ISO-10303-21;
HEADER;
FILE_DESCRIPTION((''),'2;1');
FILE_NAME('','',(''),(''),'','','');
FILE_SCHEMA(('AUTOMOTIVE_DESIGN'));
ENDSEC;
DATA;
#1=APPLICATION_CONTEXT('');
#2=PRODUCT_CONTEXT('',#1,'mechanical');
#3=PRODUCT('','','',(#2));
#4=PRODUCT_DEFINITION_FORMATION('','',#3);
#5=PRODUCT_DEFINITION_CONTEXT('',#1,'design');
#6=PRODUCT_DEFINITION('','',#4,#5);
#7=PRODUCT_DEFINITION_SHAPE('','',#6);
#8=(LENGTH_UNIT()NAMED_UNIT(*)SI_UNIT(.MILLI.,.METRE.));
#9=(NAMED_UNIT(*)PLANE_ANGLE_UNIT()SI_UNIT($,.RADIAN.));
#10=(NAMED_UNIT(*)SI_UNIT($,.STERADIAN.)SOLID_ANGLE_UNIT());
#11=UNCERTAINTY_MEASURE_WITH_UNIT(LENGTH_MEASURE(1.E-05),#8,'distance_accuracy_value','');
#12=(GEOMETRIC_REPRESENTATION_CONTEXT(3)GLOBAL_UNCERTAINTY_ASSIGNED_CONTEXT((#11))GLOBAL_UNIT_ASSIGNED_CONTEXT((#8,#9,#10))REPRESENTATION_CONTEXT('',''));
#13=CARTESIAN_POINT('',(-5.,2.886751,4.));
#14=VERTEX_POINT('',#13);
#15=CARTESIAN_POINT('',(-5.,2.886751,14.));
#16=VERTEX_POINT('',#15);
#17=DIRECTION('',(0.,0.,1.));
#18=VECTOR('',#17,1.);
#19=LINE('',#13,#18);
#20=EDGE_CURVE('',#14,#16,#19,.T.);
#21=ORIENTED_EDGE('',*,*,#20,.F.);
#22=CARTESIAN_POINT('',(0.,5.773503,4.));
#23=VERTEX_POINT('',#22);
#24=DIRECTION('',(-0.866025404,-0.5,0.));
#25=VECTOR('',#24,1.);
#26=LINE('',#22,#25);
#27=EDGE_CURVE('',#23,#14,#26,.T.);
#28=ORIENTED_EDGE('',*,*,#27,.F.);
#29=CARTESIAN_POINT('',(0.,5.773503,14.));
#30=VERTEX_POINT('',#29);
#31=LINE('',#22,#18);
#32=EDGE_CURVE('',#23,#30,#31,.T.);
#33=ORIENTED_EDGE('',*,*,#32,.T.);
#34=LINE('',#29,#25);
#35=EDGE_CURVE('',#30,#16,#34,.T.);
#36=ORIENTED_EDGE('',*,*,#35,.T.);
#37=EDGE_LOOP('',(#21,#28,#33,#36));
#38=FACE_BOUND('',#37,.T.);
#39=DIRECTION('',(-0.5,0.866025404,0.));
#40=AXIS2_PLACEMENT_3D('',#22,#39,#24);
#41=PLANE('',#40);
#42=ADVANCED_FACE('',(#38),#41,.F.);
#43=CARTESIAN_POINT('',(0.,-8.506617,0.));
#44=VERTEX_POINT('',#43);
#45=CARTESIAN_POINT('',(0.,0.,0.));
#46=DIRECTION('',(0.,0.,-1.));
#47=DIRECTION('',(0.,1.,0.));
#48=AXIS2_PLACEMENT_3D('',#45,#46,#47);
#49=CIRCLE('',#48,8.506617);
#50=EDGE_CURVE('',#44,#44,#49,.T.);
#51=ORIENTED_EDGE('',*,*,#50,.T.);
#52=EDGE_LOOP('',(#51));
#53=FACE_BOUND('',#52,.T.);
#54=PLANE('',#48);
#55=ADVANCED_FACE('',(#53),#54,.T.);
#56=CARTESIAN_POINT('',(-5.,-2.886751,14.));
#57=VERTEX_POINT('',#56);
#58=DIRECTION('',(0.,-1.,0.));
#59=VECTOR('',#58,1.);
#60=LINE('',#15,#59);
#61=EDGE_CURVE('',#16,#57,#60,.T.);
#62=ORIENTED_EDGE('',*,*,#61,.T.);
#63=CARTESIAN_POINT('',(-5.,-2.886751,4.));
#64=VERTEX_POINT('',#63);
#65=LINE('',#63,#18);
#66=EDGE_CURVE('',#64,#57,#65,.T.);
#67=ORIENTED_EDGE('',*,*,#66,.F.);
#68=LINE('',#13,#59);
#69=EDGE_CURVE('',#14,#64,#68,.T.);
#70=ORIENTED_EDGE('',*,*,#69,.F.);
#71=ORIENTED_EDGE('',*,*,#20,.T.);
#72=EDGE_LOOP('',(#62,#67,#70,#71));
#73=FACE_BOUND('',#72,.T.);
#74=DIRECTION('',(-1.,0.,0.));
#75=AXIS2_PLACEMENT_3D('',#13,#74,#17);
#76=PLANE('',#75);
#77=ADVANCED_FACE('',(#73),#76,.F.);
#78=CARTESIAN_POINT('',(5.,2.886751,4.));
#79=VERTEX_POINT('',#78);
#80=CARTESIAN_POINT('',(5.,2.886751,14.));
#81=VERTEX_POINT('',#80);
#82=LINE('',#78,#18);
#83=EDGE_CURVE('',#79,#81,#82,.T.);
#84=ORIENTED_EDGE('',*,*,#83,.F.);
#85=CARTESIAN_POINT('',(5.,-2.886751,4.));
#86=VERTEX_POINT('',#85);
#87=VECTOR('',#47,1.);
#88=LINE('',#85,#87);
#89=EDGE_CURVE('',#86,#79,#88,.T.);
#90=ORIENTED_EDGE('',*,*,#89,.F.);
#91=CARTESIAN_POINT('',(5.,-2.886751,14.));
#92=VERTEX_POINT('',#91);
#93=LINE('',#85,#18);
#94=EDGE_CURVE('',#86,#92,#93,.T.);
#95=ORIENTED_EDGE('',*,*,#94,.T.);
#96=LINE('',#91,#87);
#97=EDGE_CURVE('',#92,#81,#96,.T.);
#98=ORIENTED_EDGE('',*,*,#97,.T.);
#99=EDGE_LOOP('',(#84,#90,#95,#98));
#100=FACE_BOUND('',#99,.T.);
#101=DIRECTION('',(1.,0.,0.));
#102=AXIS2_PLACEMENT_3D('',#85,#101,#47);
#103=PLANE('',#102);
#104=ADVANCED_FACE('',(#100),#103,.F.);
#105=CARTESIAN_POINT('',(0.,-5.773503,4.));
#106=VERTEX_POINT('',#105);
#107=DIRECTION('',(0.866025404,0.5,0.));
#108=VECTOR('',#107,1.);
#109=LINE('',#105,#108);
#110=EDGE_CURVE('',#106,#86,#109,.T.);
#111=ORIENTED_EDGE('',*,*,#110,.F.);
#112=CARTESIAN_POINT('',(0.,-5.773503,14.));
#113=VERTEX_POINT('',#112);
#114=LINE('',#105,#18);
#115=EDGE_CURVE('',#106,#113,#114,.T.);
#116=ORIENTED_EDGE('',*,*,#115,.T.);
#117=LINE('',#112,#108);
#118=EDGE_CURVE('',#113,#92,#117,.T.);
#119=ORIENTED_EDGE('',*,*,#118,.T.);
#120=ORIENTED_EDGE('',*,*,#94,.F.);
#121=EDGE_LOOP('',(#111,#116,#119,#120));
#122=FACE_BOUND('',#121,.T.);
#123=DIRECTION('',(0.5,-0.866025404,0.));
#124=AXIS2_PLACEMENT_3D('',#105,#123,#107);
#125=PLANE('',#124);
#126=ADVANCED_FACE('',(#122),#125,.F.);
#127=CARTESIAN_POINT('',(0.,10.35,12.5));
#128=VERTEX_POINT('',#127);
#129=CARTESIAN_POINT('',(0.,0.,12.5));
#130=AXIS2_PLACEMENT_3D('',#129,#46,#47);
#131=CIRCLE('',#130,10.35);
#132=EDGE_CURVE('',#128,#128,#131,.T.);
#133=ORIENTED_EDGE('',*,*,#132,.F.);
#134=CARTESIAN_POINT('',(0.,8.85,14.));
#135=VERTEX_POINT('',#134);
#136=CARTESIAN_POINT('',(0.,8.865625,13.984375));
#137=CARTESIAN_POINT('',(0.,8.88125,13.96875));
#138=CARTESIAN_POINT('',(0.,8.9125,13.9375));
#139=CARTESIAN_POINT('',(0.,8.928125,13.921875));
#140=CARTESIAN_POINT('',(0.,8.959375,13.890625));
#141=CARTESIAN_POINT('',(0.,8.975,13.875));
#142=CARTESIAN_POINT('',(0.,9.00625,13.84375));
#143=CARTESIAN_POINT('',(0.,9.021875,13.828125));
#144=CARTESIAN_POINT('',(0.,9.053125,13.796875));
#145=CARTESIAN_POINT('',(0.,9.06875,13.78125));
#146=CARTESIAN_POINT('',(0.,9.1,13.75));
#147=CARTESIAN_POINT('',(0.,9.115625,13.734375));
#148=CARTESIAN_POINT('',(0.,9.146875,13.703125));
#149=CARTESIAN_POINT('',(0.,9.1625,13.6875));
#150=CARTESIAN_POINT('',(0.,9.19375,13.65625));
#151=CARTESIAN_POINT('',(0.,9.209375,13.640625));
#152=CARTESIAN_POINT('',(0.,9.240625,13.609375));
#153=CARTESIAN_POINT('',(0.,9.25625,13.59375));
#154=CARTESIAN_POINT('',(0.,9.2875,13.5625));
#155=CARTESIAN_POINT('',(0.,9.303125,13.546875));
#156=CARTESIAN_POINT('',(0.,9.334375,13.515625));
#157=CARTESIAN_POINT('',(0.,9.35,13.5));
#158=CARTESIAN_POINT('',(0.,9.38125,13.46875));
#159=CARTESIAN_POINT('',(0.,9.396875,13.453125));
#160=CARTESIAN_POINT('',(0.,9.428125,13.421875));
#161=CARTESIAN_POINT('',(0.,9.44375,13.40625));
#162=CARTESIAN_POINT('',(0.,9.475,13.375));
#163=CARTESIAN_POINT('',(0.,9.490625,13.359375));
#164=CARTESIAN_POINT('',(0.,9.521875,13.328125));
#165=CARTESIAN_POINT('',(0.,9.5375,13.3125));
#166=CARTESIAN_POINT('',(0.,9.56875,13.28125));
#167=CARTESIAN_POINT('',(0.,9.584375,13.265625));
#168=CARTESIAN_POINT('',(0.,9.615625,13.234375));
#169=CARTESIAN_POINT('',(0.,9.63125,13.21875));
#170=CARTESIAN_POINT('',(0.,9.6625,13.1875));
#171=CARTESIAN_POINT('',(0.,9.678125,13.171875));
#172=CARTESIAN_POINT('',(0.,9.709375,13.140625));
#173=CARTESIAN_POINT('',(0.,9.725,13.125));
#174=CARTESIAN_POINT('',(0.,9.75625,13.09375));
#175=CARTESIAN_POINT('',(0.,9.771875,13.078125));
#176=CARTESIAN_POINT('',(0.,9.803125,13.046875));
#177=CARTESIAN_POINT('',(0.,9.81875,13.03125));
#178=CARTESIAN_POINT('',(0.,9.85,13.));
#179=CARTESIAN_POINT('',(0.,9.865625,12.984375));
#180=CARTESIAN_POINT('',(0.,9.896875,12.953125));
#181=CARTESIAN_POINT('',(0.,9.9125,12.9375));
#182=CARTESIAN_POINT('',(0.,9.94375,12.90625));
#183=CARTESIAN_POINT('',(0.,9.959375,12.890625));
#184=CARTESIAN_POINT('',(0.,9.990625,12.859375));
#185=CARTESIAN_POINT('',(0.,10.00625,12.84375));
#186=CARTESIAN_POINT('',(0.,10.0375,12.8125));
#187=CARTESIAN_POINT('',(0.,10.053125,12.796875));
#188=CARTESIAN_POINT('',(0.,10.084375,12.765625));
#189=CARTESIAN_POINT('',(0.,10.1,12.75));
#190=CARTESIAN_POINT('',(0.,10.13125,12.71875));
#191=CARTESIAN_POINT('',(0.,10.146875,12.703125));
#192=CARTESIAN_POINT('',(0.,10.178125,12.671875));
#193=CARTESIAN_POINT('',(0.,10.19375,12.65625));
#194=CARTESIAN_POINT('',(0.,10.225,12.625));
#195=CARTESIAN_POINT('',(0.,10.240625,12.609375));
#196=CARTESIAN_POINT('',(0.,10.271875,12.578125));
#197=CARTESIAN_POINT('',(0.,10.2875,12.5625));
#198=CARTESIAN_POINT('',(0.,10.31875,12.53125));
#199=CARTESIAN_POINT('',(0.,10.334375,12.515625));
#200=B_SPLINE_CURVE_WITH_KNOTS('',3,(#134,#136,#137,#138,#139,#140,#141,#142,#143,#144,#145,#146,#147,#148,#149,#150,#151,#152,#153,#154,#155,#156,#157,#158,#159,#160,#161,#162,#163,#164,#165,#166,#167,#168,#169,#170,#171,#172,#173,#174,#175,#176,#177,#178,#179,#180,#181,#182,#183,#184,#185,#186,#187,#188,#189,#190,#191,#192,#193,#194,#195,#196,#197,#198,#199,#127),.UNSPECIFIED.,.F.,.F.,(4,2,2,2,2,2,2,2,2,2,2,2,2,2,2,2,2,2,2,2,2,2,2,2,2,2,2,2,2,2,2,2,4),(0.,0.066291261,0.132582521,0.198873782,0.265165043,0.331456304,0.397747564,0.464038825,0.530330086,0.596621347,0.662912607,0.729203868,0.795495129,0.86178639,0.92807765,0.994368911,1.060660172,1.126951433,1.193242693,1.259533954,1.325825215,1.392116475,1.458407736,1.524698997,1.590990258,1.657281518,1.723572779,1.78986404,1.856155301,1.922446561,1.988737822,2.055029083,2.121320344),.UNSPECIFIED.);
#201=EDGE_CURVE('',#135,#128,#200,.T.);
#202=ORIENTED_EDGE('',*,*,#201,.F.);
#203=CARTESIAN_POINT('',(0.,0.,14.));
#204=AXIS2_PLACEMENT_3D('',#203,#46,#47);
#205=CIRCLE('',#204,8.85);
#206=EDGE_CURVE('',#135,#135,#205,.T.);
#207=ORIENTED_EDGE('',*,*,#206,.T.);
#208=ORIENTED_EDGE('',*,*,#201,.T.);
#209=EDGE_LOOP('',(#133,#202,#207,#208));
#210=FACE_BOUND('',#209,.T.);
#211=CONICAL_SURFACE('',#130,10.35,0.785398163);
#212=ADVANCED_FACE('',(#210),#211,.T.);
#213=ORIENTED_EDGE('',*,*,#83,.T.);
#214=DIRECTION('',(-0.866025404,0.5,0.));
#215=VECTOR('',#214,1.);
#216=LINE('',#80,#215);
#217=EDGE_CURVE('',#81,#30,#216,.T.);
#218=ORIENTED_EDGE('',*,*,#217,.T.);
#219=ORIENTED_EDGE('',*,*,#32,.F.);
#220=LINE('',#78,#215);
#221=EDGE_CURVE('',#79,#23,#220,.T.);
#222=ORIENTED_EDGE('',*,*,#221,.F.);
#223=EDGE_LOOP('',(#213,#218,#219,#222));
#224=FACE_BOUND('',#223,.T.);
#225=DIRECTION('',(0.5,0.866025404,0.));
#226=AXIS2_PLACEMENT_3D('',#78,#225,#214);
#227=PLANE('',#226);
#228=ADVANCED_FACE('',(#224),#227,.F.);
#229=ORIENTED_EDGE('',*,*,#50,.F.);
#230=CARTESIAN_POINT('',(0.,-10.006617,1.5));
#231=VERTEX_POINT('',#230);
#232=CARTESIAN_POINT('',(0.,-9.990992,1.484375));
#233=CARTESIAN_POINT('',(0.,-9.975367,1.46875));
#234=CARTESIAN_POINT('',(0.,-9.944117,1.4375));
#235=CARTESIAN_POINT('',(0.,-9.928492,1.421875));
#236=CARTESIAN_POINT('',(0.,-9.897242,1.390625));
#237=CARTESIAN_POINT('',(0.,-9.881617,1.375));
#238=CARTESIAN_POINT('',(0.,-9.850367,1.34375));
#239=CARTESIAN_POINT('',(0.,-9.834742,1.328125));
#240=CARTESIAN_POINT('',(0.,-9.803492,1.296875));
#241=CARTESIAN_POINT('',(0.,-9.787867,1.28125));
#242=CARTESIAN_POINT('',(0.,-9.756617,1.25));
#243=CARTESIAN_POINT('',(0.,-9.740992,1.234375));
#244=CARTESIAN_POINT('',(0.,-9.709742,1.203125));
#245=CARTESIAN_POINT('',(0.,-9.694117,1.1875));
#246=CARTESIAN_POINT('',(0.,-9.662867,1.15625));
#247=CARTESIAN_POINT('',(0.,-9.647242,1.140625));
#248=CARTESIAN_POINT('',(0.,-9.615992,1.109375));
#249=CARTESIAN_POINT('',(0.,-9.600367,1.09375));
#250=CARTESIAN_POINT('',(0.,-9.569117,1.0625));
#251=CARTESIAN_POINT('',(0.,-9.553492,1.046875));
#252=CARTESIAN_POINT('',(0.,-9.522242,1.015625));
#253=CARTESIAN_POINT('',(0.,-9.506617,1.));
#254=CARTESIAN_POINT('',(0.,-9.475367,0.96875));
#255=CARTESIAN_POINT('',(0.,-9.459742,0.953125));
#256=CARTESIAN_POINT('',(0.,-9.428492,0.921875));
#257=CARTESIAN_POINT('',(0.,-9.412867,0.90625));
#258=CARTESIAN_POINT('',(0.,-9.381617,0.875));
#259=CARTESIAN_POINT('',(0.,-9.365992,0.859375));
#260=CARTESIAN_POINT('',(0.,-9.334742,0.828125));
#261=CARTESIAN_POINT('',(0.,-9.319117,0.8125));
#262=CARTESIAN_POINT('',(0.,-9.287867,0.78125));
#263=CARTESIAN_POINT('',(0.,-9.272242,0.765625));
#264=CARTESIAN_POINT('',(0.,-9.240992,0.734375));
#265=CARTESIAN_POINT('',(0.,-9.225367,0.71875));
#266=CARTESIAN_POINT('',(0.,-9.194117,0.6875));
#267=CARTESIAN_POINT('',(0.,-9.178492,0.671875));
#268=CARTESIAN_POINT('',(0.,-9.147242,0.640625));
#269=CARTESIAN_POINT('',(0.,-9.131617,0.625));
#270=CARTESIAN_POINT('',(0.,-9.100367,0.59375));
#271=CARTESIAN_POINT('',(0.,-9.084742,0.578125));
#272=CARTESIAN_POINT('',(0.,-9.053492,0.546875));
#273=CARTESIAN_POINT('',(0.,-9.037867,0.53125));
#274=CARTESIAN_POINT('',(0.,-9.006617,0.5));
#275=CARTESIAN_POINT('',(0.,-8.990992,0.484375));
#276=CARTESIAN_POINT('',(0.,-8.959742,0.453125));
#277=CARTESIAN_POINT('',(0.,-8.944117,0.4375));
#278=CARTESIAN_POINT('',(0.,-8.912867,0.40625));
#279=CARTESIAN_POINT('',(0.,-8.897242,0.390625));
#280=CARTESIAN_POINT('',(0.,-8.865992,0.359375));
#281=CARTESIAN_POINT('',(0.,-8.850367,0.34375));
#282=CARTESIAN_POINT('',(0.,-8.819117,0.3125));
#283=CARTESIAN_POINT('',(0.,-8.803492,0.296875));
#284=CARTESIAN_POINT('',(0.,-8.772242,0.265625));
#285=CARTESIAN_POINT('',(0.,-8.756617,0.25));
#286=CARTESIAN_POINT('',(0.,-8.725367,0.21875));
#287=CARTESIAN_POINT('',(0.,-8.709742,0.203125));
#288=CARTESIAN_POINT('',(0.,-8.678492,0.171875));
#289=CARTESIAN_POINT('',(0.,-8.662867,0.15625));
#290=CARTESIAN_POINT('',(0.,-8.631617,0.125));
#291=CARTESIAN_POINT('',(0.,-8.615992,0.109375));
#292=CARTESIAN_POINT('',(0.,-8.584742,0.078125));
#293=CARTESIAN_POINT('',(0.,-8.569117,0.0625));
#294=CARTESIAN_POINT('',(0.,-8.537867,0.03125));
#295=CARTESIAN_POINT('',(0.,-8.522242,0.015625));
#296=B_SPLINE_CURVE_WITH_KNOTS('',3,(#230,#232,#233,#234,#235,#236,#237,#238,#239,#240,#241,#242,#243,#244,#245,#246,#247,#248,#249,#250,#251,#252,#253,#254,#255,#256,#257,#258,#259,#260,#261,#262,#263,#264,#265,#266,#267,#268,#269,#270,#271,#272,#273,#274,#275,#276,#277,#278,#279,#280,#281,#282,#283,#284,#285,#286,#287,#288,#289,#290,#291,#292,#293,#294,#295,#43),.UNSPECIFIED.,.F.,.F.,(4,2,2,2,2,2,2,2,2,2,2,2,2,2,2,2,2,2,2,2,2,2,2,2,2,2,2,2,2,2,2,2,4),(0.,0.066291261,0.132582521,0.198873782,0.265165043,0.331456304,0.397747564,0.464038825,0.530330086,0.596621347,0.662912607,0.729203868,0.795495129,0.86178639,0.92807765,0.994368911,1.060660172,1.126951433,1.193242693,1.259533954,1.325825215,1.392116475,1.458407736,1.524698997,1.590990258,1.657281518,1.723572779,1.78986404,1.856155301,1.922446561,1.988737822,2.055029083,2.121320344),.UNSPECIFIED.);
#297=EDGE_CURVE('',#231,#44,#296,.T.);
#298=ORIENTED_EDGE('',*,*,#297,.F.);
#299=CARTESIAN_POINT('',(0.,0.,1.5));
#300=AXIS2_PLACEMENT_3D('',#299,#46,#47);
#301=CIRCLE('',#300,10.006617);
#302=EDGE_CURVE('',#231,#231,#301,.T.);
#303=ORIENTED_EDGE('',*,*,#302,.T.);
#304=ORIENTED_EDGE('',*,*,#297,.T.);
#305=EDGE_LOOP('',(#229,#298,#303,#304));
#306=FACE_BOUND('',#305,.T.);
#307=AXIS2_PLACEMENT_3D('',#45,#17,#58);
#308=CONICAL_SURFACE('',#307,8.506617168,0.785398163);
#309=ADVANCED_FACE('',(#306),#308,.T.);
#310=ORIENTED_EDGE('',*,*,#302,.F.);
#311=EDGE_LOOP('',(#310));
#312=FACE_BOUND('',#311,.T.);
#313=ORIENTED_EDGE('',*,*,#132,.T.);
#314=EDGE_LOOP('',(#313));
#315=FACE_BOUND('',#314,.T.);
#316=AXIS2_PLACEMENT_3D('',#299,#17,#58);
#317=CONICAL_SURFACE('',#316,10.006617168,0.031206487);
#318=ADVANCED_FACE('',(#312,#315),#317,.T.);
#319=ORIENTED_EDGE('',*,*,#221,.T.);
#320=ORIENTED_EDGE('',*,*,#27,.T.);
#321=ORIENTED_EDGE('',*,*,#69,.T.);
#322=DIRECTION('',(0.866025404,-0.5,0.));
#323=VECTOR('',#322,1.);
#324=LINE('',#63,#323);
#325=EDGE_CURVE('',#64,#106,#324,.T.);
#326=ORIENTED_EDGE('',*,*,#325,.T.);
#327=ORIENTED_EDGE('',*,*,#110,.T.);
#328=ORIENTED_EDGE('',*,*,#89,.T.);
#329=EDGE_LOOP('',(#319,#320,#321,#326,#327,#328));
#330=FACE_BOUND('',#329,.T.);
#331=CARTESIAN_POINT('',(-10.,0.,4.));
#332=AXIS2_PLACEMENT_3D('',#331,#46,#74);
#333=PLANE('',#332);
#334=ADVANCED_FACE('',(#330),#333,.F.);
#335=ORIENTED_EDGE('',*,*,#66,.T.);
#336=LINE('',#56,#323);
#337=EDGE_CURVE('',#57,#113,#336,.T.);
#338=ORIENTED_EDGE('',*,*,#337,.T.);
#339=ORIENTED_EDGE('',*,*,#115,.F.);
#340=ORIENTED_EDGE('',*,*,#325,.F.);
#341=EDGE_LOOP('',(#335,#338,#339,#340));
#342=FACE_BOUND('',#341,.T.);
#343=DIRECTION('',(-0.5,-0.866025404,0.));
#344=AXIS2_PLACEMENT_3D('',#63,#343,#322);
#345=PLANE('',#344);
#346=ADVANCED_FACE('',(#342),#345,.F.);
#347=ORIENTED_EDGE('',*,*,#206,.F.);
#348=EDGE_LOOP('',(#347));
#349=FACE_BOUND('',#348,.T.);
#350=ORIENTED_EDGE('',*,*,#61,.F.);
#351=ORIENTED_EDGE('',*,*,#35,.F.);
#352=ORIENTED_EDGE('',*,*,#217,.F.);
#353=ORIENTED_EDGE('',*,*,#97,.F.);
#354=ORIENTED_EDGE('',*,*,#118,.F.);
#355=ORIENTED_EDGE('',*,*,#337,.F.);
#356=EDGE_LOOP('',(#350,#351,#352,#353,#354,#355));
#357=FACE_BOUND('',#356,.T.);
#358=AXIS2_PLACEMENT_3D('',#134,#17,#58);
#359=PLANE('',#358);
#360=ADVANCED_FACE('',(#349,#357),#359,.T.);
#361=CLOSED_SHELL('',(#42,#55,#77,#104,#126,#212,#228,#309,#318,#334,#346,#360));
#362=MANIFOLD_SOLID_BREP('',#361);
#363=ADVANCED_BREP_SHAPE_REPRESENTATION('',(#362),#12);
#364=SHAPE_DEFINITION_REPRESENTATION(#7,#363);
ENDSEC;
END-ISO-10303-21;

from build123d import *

# Parameters (mm, degrees)
CUT_EXTRUDE1_DEPTH = 10


with BuildPart() as part:
    # Sketch1 → Revolve1 (revolve)
    with BuildSketch(Plane(origin=(0, 0, 0), x_dir=(0, 0, -1), z_dir=(1, 0, 0))):
        Polygon((0, 0), (0, 8.506617168), (-1.5, 10.006617168), (-12.5, 10.35), (-14, 8.85), (-14, 0), align=None)
    revolve(axis=Axis((0, 0, 0), (0, 0, 1)))

    # Sketch2 → Cut-Extrude1 (cut)
    with BuildSketch(Plane.XY.offset(14)):
        Polygon((0, -5.773502692), (5, -2.886751346), (5, 2.886751346), (0, 5.773502692), (-5, 2.886751346), (-5, -2.886751346), align=None)
    extrude(amount=-CUT_EXTRUDE1_DEPTH, mode=Mode.SUBTRACT)


solid = part.part
